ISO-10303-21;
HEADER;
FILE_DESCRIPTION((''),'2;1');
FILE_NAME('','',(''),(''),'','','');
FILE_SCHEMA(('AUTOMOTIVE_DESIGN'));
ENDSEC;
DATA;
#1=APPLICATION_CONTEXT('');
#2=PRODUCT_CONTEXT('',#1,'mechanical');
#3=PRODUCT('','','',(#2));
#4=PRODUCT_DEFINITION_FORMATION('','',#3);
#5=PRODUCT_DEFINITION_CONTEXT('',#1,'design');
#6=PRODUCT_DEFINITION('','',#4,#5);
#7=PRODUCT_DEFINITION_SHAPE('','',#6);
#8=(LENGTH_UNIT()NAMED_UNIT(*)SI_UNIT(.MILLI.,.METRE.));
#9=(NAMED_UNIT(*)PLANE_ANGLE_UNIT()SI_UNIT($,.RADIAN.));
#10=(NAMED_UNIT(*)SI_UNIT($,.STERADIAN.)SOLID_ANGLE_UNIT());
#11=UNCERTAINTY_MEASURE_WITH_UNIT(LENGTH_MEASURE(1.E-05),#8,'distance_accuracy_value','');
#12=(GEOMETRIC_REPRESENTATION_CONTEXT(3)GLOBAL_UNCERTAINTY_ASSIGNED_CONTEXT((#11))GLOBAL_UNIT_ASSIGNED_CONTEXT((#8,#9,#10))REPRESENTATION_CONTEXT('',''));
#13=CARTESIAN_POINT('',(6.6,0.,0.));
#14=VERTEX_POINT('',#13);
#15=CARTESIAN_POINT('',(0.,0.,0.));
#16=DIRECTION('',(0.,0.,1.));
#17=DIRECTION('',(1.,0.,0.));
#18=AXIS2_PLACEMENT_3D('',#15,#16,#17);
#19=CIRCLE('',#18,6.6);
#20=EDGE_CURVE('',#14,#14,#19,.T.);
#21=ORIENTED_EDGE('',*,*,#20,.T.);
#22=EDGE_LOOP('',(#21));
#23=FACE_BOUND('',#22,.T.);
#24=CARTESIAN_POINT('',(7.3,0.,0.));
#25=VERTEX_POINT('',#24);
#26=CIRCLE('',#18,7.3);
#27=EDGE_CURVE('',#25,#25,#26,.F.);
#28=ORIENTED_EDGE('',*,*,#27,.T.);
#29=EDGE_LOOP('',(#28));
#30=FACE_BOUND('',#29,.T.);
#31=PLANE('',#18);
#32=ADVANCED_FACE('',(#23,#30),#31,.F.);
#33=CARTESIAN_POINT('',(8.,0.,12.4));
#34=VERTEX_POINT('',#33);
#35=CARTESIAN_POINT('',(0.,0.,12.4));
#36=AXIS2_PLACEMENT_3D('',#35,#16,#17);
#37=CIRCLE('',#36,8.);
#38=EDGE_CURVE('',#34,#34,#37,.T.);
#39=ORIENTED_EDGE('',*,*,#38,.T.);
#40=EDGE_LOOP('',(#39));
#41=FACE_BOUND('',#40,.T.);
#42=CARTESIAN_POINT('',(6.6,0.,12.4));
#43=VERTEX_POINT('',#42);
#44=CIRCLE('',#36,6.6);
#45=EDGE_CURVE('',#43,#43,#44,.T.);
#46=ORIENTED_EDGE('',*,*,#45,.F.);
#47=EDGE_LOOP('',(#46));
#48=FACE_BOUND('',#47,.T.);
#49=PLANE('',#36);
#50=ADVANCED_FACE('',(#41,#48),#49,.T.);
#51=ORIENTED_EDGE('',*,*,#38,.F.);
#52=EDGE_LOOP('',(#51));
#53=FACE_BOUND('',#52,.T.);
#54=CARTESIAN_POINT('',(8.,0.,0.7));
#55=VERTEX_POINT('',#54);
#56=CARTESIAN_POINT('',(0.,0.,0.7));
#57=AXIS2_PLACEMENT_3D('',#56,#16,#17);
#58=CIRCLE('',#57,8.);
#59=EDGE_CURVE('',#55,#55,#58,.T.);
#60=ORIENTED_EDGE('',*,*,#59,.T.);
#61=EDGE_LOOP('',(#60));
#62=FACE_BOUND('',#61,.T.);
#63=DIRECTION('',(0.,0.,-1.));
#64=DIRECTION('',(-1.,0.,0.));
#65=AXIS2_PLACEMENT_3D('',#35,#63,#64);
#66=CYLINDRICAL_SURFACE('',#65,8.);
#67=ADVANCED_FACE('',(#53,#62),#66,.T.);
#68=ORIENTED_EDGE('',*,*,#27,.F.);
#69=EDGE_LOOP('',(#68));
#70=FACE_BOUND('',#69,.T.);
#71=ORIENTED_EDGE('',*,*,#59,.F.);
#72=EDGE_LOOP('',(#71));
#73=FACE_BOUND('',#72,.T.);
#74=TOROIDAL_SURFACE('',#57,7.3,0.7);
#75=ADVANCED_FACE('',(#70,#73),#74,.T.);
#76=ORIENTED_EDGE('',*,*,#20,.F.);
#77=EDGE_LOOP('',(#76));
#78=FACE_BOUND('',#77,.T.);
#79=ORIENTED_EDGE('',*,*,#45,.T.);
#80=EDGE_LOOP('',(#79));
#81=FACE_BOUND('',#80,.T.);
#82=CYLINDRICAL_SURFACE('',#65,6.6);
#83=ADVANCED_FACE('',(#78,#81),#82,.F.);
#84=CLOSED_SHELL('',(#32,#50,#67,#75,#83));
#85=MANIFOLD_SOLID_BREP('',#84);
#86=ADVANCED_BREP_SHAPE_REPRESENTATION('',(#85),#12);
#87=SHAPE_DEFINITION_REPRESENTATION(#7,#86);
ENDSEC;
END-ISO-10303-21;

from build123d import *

# Parameters (mm, degrees)
CROQUIS1_R              = 8
CROQUIS1_R_2            = 6.6
SALIENTE_EXTRUIR1_DEPTH = 12.4
REDONDEO1_R             = 0.7


with BuildPart() as part:
    # Croquis1 → Saliente-Extruir1 (new body)
    with BuildSketch(Plane.XY):
        Circle(CROQUIS1_R)
        Circle(CROQUIS1_R_2, mode=Mode.SUBTRACT)
    extrude(amount=SALIENTE_EXTRUIR1_DEPTH)

    # Redondeo1
    redondeo1_edges = [part.edges().sort_by_distance(p)[0] for p in [
        (-8, 0, 0),
    ]]
    fillet(redondeo1_edges, radius=REDONDEO1_R)


solid = part.part
